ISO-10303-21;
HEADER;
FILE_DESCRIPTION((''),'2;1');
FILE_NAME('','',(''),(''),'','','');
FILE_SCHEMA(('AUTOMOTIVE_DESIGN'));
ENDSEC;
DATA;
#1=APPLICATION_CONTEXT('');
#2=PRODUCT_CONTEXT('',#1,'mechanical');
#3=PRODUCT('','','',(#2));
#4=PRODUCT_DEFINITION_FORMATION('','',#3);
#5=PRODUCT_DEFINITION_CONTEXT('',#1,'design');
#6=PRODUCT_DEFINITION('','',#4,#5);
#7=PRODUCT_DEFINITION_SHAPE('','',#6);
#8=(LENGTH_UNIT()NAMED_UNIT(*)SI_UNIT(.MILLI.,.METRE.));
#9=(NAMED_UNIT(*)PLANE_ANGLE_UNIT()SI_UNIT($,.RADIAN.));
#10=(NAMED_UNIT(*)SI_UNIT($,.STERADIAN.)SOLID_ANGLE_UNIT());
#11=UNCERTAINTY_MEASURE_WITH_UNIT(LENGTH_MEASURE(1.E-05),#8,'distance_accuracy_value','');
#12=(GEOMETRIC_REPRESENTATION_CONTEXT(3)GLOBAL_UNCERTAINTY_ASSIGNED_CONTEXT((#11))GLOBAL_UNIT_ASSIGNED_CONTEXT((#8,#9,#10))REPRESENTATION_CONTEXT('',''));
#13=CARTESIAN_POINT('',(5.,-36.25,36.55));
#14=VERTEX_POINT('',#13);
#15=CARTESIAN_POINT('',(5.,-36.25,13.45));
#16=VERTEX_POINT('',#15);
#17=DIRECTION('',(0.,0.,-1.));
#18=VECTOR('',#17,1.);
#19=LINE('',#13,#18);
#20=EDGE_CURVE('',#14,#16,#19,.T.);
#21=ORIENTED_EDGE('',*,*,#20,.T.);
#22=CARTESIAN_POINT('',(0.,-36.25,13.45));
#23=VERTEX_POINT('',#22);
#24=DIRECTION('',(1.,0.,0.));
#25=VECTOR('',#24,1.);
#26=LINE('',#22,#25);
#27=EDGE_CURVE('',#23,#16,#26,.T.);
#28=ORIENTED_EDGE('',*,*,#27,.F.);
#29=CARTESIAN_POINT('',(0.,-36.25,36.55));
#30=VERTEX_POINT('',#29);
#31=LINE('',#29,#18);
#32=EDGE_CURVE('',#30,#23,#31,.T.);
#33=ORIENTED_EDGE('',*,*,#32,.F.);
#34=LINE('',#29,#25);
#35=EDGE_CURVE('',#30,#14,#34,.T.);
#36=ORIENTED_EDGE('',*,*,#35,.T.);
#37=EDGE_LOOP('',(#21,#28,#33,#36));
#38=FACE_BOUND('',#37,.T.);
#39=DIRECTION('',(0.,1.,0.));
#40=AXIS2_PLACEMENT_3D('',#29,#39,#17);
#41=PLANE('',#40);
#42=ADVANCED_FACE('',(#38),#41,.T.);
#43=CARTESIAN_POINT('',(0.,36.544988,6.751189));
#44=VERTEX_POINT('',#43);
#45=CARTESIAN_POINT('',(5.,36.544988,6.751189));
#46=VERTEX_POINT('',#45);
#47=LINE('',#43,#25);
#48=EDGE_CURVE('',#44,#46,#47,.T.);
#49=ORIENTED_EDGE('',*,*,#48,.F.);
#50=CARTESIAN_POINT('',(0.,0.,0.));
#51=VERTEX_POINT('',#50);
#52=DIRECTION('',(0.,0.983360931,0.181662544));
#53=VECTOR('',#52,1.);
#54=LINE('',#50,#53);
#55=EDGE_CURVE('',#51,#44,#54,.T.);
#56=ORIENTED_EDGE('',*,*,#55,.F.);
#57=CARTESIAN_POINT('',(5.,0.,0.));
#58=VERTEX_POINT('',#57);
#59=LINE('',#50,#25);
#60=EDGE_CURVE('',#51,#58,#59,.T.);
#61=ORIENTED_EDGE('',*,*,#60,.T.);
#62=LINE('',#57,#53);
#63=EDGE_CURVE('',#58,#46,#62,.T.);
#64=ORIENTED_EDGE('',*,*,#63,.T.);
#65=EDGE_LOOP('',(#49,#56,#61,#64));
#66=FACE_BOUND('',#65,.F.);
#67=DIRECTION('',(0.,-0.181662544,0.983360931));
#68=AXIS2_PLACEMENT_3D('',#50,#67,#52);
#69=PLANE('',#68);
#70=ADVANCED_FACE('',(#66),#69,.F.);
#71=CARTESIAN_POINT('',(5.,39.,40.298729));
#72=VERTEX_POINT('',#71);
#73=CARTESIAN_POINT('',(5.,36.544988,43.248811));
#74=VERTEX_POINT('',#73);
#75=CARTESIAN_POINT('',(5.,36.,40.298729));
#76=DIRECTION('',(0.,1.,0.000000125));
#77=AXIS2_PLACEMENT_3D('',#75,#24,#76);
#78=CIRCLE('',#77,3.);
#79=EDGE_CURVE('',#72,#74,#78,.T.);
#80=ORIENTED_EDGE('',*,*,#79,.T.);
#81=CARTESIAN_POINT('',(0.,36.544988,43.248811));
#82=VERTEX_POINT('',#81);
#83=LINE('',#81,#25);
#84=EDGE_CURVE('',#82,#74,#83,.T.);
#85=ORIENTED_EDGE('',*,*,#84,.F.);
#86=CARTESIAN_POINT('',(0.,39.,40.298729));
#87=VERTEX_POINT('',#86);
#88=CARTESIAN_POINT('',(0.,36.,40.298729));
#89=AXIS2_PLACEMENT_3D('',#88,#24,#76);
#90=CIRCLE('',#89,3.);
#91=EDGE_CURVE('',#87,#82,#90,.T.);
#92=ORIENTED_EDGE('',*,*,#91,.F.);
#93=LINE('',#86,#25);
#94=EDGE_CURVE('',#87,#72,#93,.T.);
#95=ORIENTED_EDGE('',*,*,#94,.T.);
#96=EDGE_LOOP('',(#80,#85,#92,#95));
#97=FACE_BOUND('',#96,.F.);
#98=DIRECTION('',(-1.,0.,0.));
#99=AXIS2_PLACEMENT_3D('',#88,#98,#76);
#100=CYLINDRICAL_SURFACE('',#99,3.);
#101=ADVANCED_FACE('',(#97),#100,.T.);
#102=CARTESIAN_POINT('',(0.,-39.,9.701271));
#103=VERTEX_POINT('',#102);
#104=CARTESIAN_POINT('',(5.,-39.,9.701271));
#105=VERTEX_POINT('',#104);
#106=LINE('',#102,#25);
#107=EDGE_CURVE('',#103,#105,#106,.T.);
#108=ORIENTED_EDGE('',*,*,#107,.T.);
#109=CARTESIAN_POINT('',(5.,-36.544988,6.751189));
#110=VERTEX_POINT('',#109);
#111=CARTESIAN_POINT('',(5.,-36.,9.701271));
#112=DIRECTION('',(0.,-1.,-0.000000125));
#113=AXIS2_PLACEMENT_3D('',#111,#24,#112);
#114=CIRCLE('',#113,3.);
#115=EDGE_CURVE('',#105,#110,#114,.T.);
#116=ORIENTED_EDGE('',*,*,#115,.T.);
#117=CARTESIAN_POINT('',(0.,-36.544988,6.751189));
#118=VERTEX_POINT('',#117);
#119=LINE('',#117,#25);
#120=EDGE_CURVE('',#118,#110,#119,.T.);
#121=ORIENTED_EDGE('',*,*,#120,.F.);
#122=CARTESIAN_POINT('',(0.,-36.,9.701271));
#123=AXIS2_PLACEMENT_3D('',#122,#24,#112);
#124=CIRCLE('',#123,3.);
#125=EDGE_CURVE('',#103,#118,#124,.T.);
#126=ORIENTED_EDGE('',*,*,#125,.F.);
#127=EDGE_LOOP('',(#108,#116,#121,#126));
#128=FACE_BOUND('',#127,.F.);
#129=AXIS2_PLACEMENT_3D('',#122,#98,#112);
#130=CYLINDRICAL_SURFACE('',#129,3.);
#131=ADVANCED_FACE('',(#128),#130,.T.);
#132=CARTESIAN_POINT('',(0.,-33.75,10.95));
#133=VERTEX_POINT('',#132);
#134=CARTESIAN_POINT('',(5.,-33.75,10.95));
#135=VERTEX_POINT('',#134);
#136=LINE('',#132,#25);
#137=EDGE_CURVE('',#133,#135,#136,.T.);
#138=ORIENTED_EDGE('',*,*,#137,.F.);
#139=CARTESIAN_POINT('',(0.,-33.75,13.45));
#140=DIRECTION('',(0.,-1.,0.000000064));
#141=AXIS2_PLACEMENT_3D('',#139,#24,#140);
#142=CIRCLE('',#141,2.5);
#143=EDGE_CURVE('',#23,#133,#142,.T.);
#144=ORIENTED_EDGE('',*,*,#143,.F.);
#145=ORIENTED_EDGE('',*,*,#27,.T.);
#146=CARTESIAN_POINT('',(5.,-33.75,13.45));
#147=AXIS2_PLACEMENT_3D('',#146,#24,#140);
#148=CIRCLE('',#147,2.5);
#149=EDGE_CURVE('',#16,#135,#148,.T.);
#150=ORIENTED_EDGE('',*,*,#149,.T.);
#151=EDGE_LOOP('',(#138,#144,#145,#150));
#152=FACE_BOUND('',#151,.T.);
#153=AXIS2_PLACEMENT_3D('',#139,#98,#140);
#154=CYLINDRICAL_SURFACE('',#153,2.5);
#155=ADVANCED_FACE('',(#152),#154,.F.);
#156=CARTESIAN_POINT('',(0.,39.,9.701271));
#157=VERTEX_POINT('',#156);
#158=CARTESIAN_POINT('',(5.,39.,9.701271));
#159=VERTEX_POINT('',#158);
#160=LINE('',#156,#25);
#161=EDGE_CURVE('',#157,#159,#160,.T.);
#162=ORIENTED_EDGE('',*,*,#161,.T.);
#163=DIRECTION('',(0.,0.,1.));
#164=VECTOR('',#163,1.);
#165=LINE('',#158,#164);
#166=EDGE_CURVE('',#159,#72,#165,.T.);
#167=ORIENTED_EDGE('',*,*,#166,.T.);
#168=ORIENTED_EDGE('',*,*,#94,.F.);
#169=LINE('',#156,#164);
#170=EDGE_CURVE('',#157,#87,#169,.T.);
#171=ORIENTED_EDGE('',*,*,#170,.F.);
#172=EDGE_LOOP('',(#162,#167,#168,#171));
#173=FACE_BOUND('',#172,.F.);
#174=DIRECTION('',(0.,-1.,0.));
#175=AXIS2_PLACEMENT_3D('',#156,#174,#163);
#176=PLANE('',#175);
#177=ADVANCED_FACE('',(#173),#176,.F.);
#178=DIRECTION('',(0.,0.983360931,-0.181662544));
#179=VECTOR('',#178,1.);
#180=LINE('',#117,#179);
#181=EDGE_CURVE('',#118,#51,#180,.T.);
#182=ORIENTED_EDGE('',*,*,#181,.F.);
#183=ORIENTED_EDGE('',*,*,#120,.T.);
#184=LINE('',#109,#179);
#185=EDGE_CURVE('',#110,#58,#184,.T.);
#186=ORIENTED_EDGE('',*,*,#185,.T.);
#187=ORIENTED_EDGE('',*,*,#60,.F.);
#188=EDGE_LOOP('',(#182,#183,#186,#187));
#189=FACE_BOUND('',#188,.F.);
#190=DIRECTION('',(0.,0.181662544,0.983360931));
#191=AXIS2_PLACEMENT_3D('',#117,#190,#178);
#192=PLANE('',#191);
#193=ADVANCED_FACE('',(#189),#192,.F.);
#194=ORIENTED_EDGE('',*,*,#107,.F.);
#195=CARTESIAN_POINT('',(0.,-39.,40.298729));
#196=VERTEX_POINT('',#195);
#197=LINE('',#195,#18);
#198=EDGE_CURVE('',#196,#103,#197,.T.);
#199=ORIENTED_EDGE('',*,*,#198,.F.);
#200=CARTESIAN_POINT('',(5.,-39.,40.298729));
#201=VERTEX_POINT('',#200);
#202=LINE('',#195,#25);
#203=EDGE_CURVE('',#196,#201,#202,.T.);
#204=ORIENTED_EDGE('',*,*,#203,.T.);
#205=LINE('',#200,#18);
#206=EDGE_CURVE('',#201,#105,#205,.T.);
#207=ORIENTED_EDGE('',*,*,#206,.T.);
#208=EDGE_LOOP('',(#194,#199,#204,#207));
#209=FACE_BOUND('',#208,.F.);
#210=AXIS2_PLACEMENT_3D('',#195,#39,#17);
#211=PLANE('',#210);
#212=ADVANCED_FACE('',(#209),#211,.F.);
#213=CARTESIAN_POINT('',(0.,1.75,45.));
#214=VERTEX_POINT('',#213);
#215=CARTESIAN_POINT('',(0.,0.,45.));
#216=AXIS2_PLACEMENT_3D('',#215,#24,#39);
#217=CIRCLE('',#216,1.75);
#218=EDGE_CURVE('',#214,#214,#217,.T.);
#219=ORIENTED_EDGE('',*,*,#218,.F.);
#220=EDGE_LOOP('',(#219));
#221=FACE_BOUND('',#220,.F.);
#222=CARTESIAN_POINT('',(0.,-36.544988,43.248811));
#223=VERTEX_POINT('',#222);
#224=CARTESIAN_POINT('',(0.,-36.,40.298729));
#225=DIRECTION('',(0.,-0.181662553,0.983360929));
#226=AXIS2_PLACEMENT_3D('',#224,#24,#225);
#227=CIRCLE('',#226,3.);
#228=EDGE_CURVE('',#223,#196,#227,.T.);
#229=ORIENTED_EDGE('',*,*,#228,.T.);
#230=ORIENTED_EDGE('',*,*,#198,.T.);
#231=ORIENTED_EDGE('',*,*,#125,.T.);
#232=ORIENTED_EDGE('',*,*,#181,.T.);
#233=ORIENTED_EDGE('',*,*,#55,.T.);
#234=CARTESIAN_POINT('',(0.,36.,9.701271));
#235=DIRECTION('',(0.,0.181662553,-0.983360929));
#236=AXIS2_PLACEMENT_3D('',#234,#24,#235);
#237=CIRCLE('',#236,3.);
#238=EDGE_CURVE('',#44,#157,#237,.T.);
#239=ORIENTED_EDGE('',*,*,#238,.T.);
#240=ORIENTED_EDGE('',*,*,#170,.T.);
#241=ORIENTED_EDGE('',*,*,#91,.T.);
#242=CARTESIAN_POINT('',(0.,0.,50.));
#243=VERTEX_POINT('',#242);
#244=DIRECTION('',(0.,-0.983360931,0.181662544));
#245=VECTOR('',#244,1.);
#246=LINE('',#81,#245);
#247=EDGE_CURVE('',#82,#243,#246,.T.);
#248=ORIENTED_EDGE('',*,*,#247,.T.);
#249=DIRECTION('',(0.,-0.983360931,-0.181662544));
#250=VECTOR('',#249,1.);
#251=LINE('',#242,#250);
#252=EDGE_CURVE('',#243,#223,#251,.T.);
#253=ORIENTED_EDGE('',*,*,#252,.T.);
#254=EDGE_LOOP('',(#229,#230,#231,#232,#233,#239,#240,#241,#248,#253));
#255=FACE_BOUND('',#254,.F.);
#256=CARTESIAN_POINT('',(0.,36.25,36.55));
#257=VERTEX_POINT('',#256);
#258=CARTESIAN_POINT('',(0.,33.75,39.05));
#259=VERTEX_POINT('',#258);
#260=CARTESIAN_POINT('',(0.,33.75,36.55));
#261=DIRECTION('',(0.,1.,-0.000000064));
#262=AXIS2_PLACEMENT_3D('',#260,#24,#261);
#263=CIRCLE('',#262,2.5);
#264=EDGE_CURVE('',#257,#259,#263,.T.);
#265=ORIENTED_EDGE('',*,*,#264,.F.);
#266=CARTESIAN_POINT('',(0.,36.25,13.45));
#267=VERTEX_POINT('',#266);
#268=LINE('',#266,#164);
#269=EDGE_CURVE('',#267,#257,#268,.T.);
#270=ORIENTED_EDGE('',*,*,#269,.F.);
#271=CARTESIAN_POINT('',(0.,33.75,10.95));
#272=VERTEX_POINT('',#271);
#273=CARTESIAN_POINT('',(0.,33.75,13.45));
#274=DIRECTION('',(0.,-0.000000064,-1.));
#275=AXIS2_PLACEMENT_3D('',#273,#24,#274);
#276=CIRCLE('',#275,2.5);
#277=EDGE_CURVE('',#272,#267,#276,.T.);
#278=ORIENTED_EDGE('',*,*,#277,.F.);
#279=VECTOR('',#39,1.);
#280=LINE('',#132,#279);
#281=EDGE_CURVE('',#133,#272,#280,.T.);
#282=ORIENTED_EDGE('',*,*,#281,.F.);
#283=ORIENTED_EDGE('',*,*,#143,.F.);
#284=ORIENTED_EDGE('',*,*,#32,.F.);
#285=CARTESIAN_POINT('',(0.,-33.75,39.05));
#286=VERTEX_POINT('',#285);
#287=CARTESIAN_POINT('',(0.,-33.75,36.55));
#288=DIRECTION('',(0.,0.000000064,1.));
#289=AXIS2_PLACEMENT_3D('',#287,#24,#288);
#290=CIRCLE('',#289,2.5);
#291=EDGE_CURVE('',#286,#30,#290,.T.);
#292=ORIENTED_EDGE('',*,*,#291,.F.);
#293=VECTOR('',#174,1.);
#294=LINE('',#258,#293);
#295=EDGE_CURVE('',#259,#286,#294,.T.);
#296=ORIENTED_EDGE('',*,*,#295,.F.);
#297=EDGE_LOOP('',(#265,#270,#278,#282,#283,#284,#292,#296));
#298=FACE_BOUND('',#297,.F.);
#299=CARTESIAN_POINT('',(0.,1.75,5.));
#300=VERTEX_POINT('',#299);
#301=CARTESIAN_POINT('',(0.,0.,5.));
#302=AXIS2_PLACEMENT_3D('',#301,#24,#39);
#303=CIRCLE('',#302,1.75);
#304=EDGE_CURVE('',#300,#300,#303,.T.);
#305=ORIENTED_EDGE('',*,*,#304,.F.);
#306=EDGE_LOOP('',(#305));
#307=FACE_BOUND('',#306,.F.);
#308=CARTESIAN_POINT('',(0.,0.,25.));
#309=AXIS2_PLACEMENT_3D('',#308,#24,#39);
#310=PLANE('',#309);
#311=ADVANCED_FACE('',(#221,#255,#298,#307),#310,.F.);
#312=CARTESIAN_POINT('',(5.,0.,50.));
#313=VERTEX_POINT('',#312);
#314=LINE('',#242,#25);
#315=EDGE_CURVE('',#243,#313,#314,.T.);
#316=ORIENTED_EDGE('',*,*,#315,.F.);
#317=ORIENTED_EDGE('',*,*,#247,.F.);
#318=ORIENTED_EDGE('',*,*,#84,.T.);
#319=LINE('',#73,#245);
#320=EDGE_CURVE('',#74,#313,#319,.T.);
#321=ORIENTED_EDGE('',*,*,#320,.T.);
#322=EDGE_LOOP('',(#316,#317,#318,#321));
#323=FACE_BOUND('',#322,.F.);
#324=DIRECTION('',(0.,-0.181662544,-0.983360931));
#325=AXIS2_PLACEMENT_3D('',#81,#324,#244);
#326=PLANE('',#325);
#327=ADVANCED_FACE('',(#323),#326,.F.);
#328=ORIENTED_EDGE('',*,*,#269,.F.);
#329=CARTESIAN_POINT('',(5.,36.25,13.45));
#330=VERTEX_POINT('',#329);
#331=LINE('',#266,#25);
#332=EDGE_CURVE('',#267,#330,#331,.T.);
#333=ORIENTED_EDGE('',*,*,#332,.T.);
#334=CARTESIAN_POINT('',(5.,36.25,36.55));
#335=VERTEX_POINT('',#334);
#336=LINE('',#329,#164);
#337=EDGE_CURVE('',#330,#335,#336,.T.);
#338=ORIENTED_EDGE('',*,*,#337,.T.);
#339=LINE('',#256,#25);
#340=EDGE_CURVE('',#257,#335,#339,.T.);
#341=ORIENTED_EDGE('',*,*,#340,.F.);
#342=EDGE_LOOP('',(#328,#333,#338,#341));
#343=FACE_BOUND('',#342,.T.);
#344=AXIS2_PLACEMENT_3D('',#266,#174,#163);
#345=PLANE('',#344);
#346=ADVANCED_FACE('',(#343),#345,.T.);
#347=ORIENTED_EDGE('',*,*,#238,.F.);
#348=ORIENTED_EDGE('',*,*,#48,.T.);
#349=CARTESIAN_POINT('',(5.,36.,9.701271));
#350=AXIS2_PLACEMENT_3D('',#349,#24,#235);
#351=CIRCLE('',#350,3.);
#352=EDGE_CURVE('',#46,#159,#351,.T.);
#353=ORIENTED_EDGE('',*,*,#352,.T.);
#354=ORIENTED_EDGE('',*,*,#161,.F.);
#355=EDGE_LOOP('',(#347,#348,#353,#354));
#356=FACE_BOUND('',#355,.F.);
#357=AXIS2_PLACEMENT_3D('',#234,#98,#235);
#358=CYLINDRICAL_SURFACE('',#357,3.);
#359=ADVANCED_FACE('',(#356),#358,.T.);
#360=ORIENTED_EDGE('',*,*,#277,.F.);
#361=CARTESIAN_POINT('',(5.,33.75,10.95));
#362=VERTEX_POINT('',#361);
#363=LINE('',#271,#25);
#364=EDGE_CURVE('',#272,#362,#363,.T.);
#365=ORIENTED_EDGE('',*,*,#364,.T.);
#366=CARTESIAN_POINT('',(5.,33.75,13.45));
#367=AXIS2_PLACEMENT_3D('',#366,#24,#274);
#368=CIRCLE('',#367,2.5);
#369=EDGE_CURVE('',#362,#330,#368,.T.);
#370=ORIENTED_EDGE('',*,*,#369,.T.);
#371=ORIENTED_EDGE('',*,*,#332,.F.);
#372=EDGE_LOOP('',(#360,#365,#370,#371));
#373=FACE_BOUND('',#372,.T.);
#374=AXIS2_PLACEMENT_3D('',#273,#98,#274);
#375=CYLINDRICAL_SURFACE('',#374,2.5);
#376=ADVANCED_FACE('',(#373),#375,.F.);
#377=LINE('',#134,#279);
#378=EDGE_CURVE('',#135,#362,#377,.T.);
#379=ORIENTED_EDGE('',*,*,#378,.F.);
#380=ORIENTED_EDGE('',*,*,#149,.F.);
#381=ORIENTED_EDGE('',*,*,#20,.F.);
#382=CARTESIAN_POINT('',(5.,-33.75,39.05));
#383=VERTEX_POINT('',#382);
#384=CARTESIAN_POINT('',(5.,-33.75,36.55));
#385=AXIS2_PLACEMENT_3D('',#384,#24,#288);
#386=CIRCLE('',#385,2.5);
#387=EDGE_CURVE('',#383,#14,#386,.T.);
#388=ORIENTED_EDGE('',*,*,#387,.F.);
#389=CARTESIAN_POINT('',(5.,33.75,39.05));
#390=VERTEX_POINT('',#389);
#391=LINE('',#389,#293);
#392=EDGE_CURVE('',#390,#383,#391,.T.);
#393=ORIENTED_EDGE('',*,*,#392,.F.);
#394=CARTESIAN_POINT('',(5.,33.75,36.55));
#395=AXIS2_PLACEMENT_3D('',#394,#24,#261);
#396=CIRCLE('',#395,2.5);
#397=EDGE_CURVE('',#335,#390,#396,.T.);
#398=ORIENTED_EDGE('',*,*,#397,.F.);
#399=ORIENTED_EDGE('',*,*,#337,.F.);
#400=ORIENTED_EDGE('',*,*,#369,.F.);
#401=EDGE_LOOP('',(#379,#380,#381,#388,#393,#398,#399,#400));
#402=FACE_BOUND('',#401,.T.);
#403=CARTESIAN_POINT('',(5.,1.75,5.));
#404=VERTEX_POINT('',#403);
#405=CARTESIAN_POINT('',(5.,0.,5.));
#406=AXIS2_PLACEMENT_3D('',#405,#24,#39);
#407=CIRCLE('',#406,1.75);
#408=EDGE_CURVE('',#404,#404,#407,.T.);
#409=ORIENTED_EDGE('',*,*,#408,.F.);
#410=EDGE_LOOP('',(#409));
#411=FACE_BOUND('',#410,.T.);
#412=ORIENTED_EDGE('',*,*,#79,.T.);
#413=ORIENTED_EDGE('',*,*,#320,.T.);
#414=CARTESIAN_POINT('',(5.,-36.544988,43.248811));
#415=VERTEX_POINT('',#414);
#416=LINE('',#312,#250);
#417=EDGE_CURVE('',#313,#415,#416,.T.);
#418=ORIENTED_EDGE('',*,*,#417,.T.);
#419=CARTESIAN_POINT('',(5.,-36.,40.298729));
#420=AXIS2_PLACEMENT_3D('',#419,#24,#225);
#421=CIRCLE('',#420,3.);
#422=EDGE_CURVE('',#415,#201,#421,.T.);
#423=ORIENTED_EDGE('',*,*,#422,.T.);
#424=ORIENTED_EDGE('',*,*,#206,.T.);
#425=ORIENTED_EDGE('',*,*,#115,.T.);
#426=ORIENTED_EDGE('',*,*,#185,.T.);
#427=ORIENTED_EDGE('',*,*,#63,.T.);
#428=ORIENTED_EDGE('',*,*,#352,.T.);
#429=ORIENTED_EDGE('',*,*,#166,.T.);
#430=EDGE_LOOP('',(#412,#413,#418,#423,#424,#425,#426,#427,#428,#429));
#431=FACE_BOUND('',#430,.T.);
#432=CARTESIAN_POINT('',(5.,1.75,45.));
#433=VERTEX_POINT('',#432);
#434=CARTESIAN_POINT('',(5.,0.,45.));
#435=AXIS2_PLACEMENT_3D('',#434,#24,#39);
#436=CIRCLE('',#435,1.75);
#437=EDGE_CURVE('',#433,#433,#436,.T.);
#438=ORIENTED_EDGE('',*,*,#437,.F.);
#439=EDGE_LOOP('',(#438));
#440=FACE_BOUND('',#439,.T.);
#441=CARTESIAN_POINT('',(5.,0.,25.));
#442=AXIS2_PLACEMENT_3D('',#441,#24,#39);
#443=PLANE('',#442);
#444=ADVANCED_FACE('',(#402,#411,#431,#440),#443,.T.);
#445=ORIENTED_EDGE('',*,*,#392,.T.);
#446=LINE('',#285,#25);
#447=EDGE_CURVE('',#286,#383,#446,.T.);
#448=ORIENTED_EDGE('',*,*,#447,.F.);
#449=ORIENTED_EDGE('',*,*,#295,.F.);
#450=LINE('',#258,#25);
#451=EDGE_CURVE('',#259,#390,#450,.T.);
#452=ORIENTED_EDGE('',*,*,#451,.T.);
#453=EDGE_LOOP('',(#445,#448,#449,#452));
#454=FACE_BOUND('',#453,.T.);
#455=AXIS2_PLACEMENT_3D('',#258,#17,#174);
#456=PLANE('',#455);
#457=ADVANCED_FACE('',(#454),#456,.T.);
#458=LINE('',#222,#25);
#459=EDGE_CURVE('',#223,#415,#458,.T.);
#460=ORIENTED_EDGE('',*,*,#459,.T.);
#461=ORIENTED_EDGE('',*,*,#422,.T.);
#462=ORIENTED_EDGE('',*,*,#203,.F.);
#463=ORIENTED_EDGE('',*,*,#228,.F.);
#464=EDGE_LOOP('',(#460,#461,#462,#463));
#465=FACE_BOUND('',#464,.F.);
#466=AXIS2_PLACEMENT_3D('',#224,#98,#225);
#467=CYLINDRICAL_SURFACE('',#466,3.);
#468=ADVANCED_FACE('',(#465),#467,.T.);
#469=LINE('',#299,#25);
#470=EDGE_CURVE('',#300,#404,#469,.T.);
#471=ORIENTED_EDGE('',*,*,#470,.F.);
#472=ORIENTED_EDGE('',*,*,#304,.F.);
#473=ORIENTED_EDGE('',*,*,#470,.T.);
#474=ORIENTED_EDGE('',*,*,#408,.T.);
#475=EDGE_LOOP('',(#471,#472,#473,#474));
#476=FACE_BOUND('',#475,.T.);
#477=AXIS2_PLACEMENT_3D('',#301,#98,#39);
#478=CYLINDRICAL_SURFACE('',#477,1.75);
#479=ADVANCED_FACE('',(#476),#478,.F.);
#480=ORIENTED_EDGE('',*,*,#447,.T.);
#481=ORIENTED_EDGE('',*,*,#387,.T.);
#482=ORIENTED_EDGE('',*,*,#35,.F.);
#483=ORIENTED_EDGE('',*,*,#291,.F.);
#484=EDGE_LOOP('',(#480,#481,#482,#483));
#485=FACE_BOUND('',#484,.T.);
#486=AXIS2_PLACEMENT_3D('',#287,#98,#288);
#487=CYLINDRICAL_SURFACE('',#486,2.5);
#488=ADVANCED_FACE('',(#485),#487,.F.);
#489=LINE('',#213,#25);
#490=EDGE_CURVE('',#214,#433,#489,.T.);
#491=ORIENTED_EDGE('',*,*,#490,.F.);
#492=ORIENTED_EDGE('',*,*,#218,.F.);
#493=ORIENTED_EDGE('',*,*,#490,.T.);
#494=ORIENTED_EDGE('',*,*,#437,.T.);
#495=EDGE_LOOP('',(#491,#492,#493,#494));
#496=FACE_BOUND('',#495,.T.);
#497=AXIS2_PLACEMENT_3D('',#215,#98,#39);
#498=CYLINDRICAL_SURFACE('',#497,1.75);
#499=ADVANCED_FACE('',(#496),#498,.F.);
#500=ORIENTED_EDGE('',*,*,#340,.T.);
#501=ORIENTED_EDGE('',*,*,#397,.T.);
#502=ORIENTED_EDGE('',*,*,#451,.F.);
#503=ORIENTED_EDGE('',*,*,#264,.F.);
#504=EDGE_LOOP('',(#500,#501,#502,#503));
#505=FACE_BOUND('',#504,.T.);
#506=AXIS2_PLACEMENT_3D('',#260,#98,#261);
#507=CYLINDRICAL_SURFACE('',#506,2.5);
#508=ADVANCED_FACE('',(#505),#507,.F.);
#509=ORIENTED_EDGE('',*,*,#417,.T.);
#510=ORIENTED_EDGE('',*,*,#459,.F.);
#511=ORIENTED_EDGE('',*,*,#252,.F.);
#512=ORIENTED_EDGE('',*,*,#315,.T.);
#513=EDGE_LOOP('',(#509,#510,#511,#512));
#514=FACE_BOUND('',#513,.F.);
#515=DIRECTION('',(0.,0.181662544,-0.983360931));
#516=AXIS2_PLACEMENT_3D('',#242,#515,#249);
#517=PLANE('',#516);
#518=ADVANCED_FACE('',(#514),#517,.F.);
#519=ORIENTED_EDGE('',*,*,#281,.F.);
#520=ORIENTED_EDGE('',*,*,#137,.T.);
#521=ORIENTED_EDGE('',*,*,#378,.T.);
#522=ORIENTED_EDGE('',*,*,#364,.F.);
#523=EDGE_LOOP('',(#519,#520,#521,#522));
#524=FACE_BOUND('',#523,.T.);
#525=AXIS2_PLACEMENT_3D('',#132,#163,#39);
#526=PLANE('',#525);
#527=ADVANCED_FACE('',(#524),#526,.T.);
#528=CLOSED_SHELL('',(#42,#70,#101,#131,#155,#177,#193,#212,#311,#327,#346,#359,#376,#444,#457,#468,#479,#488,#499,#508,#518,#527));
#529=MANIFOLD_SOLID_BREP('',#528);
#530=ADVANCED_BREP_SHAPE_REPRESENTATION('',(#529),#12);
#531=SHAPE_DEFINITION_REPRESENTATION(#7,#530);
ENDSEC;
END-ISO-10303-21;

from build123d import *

# Parameters (mm, degrees)
PAD_DEPTH    = 5
SKETCH_R     = 1.75
POCKET_DEPTH = 5


with BuildPart() as part:
    # Sketch001 → Pad (new body)
    with BuildSketch(Plane.YZ):
        with BuildLine():
            Line((39, 9.701271), (39, 40.298729))
            ThreePointArc((39, 40.298729), (38.305966, 42.217718), (36.544988, 43.248811))
            Line((36.544988, 43.248811), (0, 50))
            Line((0, 50), (-36.544988, 43.248811))
            ThreePointArc((-36.544988, 43.248811), (-38.305966, 42.217718), (-39, 40.298729))
            Line((-39, 40.298729), (-39, 9.701271))
            ThreePointArc((-39, 9.701271), (-38.305966, 7.782282), (-36.544988, 6.751189))
            Line((-36.544988, 6.751189), (0, 0))
            Line((0, 0), (36.544988, 6.751189))
            ThreePointArc((36.544988, 6.751189), (38.305966, 7.782282), (39, 9.701271))
        make_face()
    extrude(amount=PAD_DEPTH)

    # Sketch → Pocket (cut)
    with BuildSketch(Plane.YZ):
        with Locations((0, 45)):
            Circle(SKETCH_R)
        with Locations((0, 5)):
            Circle(SKETCH_R)
        with BuildLine():
            Line((-33.75, 10.95), (33.75, 10.95))
            ThreePointArc((33.75, 10.95), (35.517767, 11.682233), (36.25, 13.45))
            Line((36.25, 13.45), (36.25, 36.55))
            ThreePointArc((36.25, 36.55), (35.517767, 38.317767), (33.75, 39.05))
            Line((33.75, 39.05), (-33.75, 39.05))
            ThreePointArc((-33.75, 39.05), (-35.517767, 38.317767), (-36.25, 36.55))
            Line((-36.25, 36.55), (-36.25, 13.45))
            ThreePointArc((-36.25, 13.45), (-35.517767, 11.682233), (-33.75, 10.95))
        make_face()
    extrude(amount=POCKET_DEPTH, mode=Mode.SUBTRACT)


solid = part.part
